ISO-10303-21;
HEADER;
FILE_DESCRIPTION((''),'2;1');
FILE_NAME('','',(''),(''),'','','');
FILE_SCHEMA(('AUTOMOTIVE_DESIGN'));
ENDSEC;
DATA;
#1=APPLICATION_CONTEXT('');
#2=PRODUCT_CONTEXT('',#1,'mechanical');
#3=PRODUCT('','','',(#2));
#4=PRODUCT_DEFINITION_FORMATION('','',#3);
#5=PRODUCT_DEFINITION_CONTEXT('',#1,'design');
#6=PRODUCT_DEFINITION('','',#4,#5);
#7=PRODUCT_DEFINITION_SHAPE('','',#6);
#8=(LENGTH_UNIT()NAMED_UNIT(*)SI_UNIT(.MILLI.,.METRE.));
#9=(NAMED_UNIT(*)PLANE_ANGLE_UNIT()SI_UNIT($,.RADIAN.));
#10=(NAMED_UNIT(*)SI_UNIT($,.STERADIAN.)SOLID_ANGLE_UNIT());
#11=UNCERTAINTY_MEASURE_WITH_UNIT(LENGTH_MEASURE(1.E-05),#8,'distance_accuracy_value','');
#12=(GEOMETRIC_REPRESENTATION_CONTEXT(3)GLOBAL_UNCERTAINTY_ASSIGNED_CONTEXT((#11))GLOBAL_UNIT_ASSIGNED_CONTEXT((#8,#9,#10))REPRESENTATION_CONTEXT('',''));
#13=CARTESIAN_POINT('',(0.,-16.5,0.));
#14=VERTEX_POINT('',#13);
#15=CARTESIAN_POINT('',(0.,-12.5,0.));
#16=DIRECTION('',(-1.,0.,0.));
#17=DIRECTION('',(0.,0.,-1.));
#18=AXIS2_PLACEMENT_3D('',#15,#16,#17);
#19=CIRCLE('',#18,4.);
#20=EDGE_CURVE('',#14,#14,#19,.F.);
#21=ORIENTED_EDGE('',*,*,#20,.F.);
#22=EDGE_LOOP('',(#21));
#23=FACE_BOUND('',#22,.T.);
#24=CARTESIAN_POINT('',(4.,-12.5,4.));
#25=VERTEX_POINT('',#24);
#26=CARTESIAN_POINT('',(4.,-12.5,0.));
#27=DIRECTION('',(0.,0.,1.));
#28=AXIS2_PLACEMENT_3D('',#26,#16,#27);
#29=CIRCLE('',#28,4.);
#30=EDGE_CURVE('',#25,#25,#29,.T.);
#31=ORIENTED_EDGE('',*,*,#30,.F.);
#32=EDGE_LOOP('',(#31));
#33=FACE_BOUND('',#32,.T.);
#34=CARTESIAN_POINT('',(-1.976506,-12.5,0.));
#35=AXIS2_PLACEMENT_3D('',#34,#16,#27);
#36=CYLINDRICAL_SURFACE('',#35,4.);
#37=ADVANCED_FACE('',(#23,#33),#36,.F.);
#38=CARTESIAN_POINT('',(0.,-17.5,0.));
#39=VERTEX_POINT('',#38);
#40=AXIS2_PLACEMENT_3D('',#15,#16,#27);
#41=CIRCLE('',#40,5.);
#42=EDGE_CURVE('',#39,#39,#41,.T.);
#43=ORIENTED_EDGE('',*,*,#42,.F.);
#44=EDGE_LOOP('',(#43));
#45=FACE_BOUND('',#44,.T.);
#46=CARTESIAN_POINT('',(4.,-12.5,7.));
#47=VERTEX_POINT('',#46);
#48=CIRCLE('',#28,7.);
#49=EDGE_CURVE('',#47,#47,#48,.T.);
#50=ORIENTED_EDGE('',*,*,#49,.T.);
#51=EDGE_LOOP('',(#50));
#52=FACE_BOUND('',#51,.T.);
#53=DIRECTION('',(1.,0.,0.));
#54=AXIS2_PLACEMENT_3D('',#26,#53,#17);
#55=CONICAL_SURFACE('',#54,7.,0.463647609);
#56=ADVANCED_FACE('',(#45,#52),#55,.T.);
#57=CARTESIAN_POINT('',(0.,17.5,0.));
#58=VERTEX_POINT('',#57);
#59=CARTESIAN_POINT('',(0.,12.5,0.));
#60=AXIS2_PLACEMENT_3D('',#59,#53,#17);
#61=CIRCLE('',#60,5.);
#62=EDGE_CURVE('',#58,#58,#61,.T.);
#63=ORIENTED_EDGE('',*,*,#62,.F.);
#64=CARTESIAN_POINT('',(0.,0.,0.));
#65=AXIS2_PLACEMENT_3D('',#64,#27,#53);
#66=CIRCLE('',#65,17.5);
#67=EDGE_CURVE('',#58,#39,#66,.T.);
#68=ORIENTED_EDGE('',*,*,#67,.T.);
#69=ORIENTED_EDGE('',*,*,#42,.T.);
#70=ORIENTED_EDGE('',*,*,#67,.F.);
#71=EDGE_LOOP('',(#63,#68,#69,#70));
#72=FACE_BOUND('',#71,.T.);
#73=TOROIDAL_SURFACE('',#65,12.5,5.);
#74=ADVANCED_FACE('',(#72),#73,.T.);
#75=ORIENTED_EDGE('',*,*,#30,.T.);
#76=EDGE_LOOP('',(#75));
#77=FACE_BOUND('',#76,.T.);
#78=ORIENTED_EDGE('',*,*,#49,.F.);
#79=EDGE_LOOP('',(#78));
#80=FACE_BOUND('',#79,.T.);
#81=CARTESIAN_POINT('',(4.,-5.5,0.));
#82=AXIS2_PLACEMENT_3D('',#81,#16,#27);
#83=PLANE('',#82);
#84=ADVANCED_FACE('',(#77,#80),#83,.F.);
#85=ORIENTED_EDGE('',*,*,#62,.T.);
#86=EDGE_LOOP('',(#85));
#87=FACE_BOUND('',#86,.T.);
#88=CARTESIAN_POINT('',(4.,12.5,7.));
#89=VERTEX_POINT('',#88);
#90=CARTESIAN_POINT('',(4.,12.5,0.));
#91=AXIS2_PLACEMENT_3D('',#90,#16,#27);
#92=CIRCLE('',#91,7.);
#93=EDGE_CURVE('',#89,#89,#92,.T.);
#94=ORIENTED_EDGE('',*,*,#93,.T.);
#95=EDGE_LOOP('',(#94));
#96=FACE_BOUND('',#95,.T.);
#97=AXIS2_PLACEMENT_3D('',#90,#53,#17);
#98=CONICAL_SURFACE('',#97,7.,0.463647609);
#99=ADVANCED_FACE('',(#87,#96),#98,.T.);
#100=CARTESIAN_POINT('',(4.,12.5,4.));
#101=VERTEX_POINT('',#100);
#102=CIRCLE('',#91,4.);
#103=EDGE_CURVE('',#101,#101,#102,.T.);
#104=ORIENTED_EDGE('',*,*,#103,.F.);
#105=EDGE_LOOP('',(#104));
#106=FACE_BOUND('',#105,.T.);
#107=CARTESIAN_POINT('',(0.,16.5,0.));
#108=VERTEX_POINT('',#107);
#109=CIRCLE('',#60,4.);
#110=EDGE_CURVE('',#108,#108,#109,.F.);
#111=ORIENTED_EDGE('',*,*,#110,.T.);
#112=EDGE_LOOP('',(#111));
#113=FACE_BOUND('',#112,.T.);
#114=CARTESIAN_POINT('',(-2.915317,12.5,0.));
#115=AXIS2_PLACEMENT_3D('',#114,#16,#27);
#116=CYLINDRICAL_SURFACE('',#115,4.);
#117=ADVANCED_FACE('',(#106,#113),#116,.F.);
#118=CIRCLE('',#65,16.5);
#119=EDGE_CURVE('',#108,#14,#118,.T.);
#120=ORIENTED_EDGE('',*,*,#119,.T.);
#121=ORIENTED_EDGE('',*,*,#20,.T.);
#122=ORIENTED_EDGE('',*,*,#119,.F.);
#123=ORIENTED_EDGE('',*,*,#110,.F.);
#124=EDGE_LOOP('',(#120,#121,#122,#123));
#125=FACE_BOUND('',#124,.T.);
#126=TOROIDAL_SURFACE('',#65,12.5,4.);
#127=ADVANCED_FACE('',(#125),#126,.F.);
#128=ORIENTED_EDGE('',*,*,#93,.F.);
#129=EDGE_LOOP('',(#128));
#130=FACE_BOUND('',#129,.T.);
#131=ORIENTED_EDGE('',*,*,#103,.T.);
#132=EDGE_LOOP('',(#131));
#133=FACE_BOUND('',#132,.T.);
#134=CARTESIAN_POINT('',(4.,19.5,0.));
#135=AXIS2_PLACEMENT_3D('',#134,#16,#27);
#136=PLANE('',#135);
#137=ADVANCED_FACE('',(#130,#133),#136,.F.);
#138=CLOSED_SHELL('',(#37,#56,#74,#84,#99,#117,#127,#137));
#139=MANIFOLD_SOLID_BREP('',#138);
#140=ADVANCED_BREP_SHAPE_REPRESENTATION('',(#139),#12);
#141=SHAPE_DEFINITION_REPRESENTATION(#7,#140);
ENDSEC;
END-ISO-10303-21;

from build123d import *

# Parameters (mm, degrees)
SKETCH_2_R   = 5
SKETCH_2_R_2 = 4


with BuildPart() as part:
    # По траектории1: sweep along a path in Эскиз1
    with BuildLine(Plane.XY) as sweep_1_path:
        ThreePointArc((0, 12.5), (-12.5, 0), (0, -12.5))
    # Эскиз2 → По траектории1 (sweep)
    with BuildSketch(Plane(origin=(0, 0, 0), x_dir=(0, 0, -1), z_dir=(1, 0, 0))):
        with Locations((0, 12.5)):
            Circle(SKETCH_2_R)
        with Locations((0, 12.5)):
            Circle(SKETCH_2_R_2, mode=Mode.SUBTRACT)
    sweep(path=sweep_1_path.line)

    # Эскиз3 → Повернуть1 (revolve)
    with BuildSketch(Plane.XY, mode=Mode.PRIVATE) as revolve_1_sk:
        Polygon((4, 19.5), (0, 17.5), (0, 16.5), (4, 16.5), align=None)
    revolve(revolve_1_sk.sketch.rotate(Axis((-2.915316987, 12.5, 0), (1, 0, 0)), 270), axis=Axis((-2.915316987, 12.5, 0), (1, 0, 0)))

    # Эскиз5 → Повернуть2 (revolve)
    with BuildSketch(Plane.XY, mode=Mode.PRIVATE) as revolve_2_sk:
        Polygon((4, -5.5), (0, -7.5), (0, -8.5), (4, -8.5), align=None)
    revolve(revolve_2_sk.sketch.rotate(Axis((-1.97650581, -12.5, 0), (1, 0, 0)), 180), axis=Axis((-1.97650581, -12.5, 0), (1, 0, 0)))


solid = part.part
